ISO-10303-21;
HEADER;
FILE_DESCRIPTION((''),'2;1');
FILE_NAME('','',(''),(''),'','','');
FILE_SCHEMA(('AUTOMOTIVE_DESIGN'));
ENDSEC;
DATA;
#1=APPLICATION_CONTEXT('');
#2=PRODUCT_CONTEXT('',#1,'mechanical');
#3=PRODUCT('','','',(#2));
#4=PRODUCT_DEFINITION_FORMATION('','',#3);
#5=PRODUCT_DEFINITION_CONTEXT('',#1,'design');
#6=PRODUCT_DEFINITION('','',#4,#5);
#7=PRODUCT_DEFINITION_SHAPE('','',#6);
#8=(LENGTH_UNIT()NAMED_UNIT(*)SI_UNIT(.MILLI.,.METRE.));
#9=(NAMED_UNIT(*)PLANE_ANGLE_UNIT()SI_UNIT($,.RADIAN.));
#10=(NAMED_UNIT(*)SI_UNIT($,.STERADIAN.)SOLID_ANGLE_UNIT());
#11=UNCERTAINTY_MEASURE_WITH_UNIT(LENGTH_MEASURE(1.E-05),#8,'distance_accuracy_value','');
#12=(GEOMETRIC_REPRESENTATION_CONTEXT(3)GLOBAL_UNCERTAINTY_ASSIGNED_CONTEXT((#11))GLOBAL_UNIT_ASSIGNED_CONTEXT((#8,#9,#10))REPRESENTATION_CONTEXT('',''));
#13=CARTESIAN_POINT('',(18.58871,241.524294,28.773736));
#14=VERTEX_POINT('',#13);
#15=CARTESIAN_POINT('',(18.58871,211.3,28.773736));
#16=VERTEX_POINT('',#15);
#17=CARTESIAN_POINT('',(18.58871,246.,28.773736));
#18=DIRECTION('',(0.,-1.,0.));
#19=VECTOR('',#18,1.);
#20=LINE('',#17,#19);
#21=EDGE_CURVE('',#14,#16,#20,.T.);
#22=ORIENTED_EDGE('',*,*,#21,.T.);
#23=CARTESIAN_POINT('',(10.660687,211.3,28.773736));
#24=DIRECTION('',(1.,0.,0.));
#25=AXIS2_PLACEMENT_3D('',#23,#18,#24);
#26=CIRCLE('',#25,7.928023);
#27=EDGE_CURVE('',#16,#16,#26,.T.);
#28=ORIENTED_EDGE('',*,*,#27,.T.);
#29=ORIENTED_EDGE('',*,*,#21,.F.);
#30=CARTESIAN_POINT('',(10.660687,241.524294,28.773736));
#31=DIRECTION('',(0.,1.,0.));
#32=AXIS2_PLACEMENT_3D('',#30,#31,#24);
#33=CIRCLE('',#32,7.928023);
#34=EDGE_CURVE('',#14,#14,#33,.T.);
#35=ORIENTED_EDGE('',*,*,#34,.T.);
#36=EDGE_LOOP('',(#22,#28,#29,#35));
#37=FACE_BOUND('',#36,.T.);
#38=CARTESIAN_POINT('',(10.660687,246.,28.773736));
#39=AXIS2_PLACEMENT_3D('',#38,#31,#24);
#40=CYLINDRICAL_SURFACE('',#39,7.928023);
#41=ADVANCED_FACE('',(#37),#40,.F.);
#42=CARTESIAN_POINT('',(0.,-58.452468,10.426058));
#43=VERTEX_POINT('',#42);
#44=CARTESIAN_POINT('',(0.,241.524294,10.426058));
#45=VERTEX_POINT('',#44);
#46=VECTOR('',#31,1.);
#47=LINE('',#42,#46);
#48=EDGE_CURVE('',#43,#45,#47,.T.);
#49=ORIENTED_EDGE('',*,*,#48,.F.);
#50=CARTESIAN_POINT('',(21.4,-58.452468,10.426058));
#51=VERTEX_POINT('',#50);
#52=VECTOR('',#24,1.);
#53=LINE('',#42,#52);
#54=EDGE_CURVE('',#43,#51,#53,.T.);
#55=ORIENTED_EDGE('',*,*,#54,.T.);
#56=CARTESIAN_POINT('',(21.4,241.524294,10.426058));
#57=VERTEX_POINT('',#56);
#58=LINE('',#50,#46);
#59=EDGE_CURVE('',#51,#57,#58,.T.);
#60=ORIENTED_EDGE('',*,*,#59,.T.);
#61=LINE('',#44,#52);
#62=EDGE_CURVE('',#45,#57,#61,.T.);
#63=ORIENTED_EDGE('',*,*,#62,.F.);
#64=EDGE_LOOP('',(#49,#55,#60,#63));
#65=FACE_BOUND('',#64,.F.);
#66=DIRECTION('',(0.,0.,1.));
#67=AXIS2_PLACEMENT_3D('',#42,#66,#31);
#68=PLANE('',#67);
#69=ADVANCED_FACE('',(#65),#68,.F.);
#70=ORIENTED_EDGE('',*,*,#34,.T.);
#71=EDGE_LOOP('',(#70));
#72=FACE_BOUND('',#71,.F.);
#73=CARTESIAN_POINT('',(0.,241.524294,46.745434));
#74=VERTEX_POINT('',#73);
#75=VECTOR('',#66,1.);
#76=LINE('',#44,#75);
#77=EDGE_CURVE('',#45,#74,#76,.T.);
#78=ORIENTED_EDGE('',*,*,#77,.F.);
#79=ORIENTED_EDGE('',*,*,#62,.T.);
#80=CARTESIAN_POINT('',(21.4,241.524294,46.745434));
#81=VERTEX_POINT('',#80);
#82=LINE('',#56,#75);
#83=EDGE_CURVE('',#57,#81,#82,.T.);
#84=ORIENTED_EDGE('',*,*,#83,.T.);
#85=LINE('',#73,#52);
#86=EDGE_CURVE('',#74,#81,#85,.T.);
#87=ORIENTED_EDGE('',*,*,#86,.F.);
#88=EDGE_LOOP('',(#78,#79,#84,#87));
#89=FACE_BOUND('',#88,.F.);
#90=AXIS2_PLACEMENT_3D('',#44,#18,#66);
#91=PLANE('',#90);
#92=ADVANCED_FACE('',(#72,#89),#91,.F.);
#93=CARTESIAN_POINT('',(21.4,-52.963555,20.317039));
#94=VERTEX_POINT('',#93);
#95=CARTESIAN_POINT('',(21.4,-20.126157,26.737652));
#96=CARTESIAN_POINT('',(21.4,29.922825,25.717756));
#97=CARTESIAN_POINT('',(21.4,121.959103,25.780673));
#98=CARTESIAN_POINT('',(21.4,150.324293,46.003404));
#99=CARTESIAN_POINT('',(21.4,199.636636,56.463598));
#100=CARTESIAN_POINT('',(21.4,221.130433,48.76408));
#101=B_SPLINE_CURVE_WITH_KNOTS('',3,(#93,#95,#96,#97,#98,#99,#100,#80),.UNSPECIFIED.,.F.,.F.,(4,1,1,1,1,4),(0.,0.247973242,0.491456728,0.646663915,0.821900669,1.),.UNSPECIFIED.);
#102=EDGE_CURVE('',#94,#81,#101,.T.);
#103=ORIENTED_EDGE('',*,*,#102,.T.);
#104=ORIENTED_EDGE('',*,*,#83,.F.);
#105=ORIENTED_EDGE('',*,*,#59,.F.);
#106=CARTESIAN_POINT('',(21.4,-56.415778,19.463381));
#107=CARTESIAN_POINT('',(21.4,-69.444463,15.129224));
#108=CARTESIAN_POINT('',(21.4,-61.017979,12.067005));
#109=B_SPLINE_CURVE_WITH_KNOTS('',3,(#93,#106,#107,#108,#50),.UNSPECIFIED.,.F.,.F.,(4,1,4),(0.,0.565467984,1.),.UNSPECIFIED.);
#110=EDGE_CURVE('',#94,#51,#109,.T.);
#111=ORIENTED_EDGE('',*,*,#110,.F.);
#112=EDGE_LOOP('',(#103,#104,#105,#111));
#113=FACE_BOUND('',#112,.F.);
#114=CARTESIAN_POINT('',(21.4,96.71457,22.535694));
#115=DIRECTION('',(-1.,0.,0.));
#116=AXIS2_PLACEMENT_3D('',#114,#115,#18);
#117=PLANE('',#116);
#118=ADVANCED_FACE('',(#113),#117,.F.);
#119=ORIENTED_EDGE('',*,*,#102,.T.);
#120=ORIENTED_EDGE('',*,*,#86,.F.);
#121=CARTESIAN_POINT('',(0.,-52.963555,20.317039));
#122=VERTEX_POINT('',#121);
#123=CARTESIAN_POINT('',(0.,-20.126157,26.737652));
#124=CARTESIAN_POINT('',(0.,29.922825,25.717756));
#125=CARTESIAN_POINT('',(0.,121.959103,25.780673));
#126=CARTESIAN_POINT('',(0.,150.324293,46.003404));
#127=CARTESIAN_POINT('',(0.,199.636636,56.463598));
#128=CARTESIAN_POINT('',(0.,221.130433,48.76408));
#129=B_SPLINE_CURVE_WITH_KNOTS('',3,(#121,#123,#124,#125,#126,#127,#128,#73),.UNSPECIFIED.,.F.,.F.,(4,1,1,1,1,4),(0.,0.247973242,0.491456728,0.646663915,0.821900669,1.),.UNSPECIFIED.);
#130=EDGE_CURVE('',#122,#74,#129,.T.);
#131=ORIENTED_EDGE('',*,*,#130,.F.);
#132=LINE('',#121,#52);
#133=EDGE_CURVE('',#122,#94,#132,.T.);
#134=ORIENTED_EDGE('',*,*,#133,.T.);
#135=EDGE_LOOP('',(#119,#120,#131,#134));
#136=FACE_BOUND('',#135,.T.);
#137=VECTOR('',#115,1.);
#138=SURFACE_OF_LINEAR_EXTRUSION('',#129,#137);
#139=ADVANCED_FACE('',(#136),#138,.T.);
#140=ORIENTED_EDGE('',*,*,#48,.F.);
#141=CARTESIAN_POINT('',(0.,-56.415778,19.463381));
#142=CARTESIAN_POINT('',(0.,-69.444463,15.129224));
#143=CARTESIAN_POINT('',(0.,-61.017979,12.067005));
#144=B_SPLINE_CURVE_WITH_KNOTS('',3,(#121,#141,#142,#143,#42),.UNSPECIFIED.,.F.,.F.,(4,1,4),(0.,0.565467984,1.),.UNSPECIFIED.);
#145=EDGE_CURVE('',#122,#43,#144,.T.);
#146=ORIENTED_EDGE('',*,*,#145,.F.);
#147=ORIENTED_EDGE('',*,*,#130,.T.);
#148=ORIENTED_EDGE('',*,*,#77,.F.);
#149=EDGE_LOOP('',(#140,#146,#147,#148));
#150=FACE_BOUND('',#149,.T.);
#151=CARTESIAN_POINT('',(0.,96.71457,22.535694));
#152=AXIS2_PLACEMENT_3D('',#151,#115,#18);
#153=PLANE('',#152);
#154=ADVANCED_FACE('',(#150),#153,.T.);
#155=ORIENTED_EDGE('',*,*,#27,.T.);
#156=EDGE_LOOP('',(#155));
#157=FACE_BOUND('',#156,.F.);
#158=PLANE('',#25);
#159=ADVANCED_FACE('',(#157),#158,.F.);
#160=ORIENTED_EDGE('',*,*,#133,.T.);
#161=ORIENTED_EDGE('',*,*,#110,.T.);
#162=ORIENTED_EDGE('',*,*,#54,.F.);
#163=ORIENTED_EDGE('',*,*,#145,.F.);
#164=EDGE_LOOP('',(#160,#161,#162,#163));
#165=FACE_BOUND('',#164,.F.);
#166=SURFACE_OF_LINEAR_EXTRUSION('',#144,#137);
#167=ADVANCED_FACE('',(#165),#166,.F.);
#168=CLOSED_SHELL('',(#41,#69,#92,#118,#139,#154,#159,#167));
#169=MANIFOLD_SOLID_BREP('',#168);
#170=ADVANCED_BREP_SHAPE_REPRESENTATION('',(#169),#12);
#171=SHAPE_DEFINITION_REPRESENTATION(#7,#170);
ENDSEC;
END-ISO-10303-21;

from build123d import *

# Parameters (mm, degrees)
F1_DEPTH = 21.4
F3_R     = 7.9280234873
F4_DEPTH = 34.7


with BuildPart() as f1:
    # F0 (on Right) → F1 (new body)
    with BuildSketch(Plane.YZ):
        with BuildLine():
            add(Edge.make_bspline(
                [(-52.9635548592, 20.3170385212), (-20.1261572079, 26.7376520729), (29.922824922, 25.7177556479), (121.959102946, 25.7806727081), (150.3242926051, 46.0034040471), (199.6366361278, 56.4635976662), (221.1304331635, 48.7640796141), (241.5242940187, 46.7454344034)],
                knots=[0, 0, 0, 0, 0.2479732416, 0.4914567278, 0.6466639154, 0.8219006693, 1, 1, 1, 1], degree=3))
            add(Edge.make_bspline(
                [(-52.9635548592, 20.3170385212), (-56.415777575, 19.4633807478), (-69.4444632926, 15.1292239488), (-61.0179786227, 12.0670054697), (-58.4524683654, 10.4260575026)],
                knots=[0, 0, 0, 0, 0.5654679842, 1, 1, 1, 1], degree=3))
            Line((-58.4524683654, 10.4260575026), (241.5242940187, 10.4260575026))
            Line((241.5242940187, 10.4260575026), (241.5242940187, 46.7454344034))
        make_face()
    extrude(amount=F1_DEPTH)

    # F3 (on offset) → F4 (cut)
    with BuildSketch(Plane.XZ.offset(-246)):
        with Locations((10.6606865302, 28.7737362087)):
            Circle(F3_R)
    extrude(amount=F4_DEPTH, mode=Mode.SUBTRACT)


solid = f1.part
